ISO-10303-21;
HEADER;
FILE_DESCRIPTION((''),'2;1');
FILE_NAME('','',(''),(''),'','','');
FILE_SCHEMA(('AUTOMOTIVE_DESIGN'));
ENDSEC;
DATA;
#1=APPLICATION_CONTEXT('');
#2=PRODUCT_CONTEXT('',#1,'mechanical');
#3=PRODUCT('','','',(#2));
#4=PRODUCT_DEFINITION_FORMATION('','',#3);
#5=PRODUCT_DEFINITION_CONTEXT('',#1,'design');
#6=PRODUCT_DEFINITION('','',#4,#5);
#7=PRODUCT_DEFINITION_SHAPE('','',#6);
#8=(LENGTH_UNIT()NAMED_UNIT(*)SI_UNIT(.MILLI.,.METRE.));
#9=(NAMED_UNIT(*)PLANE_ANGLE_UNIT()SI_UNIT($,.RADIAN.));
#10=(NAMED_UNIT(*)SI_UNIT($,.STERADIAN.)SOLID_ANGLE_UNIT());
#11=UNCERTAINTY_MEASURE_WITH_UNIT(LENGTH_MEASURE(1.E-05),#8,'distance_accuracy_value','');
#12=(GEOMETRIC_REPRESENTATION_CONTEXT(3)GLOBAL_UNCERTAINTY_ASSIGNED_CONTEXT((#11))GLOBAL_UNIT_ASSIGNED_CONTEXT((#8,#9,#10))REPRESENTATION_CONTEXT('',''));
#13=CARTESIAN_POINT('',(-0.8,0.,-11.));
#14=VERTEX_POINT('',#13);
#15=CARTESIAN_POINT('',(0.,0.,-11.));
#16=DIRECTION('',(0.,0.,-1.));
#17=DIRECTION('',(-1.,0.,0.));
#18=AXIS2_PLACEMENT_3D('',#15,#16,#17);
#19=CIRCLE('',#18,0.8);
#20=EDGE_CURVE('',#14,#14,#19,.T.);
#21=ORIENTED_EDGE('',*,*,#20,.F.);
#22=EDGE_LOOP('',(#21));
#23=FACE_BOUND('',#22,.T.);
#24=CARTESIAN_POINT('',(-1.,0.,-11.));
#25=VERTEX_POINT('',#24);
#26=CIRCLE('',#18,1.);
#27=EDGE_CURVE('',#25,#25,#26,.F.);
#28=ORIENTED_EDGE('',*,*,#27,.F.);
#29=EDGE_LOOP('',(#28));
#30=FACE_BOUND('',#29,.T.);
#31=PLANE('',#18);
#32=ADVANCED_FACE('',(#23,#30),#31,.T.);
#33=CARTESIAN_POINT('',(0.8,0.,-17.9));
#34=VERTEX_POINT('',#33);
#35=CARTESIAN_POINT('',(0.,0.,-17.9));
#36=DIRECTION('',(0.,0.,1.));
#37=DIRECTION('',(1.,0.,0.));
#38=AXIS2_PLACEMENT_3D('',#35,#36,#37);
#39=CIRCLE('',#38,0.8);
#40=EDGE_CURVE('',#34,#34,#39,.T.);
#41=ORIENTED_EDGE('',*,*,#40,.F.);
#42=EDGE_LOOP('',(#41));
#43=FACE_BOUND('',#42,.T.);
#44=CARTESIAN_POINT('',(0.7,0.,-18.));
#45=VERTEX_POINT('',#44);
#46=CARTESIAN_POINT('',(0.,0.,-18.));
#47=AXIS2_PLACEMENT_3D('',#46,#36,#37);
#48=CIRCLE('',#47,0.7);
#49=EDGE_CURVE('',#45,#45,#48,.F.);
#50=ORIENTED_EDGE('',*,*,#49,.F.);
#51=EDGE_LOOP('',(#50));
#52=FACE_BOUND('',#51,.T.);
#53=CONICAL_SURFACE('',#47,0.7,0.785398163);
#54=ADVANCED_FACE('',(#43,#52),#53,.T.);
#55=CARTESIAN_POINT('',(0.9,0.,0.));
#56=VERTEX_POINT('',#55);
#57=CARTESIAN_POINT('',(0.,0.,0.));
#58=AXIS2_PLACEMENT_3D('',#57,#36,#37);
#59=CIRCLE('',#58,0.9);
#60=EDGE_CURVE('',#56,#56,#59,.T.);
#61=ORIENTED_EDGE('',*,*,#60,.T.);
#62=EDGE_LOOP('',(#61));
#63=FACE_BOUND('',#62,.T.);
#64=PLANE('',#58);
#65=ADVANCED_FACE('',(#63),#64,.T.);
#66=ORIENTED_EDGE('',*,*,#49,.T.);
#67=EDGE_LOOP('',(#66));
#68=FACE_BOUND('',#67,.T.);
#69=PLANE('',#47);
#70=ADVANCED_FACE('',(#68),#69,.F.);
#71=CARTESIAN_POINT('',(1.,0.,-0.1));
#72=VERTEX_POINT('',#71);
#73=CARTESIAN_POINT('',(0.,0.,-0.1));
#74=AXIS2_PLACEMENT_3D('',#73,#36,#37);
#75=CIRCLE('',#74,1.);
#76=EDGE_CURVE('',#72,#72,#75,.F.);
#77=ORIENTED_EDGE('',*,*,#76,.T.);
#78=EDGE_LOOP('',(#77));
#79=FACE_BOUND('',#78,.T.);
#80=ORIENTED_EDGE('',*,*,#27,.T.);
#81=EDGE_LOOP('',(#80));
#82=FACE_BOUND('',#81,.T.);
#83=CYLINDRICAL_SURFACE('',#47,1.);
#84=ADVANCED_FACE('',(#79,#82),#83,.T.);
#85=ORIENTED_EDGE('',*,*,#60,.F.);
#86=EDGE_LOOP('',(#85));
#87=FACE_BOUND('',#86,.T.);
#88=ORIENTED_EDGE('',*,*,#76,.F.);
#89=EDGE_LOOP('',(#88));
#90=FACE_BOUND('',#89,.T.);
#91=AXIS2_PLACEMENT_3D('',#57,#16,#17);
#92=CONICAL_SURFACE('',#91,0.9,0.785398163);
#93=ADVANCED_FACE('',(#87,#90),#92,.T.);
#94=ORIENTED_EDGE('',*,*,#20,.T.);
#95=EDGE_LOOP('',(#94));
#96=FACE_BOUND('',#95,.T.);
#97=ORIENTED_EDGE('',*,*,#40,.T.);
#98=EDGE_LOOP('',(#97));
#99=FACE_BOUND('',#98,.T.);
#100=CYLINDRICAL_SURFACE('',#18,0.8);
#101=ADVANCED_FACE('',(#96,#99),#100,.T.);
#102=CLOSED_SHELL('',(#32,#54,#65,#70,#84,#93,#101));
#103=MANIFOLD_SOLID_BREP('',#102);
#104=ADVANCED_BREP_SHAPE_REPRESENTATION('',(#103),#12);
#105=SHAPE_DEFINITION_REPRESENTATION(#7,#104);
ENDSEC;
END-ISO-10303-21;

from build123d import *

# Parameters (mm, degrees)
SKETCH1_R           = 1
BOSS_EXTRUDE1_DEPTH = 18
SKETCH2_OUTSIDE_W   = 7.644
SKETCH2_OUTSIDE_H   = 7.644
SKETCH2_OUTSIDE_R   = 0.8
CUT_EXTRUDE1_DEPTH  = 7
CHAMFER1_SIZE       = 0.1
CHAMFER2_SIZE       = 0.1


with BuildPart() as part:
    # Sketch1 → Boss-Extrude1 (new body)
    with BuildSketch(Plane.XY):
        Circle(SKETCH1_R)
    extrude(amount=-BOSS_EXTRUDE1_DEPTH)

    # Sketch2 outside → Cut-Extrude1 (cut)
    with BuildSketch(Plane(origin=(0, 0, -18), x_dir=(-1, 0, 0), z_dir=(0, 0, -1))):
        Rectangle(SKETCH2_OUTSIDE_W, SKETCH2_OUTSIDE_H)
        Circle(SKETCH2_OUTSIDE_R, mode=Mode.SUBTRACT)
    extrude(amount=-CUT_EXTRUDE1_DEPTH, mode=Mode.SUBTRACT)

    # Chamfer1
    chamfer1_edges = [part.edges().sort_by_distance(p)[0] for p in [
        (0.8, 0, -18),
    ]]
    chamfer(chamfer1_edges, length=CHAMFER1_SIZE)

    # Chamfer2
    chamfer2_edges = [part.edges().sort_by_distance(p)[0] for p in [
        (-1, 0, 0),
    ]]
    chamfer(chamfer2_edges, length=CHAMFER2_SIZE)


solid = part.part
